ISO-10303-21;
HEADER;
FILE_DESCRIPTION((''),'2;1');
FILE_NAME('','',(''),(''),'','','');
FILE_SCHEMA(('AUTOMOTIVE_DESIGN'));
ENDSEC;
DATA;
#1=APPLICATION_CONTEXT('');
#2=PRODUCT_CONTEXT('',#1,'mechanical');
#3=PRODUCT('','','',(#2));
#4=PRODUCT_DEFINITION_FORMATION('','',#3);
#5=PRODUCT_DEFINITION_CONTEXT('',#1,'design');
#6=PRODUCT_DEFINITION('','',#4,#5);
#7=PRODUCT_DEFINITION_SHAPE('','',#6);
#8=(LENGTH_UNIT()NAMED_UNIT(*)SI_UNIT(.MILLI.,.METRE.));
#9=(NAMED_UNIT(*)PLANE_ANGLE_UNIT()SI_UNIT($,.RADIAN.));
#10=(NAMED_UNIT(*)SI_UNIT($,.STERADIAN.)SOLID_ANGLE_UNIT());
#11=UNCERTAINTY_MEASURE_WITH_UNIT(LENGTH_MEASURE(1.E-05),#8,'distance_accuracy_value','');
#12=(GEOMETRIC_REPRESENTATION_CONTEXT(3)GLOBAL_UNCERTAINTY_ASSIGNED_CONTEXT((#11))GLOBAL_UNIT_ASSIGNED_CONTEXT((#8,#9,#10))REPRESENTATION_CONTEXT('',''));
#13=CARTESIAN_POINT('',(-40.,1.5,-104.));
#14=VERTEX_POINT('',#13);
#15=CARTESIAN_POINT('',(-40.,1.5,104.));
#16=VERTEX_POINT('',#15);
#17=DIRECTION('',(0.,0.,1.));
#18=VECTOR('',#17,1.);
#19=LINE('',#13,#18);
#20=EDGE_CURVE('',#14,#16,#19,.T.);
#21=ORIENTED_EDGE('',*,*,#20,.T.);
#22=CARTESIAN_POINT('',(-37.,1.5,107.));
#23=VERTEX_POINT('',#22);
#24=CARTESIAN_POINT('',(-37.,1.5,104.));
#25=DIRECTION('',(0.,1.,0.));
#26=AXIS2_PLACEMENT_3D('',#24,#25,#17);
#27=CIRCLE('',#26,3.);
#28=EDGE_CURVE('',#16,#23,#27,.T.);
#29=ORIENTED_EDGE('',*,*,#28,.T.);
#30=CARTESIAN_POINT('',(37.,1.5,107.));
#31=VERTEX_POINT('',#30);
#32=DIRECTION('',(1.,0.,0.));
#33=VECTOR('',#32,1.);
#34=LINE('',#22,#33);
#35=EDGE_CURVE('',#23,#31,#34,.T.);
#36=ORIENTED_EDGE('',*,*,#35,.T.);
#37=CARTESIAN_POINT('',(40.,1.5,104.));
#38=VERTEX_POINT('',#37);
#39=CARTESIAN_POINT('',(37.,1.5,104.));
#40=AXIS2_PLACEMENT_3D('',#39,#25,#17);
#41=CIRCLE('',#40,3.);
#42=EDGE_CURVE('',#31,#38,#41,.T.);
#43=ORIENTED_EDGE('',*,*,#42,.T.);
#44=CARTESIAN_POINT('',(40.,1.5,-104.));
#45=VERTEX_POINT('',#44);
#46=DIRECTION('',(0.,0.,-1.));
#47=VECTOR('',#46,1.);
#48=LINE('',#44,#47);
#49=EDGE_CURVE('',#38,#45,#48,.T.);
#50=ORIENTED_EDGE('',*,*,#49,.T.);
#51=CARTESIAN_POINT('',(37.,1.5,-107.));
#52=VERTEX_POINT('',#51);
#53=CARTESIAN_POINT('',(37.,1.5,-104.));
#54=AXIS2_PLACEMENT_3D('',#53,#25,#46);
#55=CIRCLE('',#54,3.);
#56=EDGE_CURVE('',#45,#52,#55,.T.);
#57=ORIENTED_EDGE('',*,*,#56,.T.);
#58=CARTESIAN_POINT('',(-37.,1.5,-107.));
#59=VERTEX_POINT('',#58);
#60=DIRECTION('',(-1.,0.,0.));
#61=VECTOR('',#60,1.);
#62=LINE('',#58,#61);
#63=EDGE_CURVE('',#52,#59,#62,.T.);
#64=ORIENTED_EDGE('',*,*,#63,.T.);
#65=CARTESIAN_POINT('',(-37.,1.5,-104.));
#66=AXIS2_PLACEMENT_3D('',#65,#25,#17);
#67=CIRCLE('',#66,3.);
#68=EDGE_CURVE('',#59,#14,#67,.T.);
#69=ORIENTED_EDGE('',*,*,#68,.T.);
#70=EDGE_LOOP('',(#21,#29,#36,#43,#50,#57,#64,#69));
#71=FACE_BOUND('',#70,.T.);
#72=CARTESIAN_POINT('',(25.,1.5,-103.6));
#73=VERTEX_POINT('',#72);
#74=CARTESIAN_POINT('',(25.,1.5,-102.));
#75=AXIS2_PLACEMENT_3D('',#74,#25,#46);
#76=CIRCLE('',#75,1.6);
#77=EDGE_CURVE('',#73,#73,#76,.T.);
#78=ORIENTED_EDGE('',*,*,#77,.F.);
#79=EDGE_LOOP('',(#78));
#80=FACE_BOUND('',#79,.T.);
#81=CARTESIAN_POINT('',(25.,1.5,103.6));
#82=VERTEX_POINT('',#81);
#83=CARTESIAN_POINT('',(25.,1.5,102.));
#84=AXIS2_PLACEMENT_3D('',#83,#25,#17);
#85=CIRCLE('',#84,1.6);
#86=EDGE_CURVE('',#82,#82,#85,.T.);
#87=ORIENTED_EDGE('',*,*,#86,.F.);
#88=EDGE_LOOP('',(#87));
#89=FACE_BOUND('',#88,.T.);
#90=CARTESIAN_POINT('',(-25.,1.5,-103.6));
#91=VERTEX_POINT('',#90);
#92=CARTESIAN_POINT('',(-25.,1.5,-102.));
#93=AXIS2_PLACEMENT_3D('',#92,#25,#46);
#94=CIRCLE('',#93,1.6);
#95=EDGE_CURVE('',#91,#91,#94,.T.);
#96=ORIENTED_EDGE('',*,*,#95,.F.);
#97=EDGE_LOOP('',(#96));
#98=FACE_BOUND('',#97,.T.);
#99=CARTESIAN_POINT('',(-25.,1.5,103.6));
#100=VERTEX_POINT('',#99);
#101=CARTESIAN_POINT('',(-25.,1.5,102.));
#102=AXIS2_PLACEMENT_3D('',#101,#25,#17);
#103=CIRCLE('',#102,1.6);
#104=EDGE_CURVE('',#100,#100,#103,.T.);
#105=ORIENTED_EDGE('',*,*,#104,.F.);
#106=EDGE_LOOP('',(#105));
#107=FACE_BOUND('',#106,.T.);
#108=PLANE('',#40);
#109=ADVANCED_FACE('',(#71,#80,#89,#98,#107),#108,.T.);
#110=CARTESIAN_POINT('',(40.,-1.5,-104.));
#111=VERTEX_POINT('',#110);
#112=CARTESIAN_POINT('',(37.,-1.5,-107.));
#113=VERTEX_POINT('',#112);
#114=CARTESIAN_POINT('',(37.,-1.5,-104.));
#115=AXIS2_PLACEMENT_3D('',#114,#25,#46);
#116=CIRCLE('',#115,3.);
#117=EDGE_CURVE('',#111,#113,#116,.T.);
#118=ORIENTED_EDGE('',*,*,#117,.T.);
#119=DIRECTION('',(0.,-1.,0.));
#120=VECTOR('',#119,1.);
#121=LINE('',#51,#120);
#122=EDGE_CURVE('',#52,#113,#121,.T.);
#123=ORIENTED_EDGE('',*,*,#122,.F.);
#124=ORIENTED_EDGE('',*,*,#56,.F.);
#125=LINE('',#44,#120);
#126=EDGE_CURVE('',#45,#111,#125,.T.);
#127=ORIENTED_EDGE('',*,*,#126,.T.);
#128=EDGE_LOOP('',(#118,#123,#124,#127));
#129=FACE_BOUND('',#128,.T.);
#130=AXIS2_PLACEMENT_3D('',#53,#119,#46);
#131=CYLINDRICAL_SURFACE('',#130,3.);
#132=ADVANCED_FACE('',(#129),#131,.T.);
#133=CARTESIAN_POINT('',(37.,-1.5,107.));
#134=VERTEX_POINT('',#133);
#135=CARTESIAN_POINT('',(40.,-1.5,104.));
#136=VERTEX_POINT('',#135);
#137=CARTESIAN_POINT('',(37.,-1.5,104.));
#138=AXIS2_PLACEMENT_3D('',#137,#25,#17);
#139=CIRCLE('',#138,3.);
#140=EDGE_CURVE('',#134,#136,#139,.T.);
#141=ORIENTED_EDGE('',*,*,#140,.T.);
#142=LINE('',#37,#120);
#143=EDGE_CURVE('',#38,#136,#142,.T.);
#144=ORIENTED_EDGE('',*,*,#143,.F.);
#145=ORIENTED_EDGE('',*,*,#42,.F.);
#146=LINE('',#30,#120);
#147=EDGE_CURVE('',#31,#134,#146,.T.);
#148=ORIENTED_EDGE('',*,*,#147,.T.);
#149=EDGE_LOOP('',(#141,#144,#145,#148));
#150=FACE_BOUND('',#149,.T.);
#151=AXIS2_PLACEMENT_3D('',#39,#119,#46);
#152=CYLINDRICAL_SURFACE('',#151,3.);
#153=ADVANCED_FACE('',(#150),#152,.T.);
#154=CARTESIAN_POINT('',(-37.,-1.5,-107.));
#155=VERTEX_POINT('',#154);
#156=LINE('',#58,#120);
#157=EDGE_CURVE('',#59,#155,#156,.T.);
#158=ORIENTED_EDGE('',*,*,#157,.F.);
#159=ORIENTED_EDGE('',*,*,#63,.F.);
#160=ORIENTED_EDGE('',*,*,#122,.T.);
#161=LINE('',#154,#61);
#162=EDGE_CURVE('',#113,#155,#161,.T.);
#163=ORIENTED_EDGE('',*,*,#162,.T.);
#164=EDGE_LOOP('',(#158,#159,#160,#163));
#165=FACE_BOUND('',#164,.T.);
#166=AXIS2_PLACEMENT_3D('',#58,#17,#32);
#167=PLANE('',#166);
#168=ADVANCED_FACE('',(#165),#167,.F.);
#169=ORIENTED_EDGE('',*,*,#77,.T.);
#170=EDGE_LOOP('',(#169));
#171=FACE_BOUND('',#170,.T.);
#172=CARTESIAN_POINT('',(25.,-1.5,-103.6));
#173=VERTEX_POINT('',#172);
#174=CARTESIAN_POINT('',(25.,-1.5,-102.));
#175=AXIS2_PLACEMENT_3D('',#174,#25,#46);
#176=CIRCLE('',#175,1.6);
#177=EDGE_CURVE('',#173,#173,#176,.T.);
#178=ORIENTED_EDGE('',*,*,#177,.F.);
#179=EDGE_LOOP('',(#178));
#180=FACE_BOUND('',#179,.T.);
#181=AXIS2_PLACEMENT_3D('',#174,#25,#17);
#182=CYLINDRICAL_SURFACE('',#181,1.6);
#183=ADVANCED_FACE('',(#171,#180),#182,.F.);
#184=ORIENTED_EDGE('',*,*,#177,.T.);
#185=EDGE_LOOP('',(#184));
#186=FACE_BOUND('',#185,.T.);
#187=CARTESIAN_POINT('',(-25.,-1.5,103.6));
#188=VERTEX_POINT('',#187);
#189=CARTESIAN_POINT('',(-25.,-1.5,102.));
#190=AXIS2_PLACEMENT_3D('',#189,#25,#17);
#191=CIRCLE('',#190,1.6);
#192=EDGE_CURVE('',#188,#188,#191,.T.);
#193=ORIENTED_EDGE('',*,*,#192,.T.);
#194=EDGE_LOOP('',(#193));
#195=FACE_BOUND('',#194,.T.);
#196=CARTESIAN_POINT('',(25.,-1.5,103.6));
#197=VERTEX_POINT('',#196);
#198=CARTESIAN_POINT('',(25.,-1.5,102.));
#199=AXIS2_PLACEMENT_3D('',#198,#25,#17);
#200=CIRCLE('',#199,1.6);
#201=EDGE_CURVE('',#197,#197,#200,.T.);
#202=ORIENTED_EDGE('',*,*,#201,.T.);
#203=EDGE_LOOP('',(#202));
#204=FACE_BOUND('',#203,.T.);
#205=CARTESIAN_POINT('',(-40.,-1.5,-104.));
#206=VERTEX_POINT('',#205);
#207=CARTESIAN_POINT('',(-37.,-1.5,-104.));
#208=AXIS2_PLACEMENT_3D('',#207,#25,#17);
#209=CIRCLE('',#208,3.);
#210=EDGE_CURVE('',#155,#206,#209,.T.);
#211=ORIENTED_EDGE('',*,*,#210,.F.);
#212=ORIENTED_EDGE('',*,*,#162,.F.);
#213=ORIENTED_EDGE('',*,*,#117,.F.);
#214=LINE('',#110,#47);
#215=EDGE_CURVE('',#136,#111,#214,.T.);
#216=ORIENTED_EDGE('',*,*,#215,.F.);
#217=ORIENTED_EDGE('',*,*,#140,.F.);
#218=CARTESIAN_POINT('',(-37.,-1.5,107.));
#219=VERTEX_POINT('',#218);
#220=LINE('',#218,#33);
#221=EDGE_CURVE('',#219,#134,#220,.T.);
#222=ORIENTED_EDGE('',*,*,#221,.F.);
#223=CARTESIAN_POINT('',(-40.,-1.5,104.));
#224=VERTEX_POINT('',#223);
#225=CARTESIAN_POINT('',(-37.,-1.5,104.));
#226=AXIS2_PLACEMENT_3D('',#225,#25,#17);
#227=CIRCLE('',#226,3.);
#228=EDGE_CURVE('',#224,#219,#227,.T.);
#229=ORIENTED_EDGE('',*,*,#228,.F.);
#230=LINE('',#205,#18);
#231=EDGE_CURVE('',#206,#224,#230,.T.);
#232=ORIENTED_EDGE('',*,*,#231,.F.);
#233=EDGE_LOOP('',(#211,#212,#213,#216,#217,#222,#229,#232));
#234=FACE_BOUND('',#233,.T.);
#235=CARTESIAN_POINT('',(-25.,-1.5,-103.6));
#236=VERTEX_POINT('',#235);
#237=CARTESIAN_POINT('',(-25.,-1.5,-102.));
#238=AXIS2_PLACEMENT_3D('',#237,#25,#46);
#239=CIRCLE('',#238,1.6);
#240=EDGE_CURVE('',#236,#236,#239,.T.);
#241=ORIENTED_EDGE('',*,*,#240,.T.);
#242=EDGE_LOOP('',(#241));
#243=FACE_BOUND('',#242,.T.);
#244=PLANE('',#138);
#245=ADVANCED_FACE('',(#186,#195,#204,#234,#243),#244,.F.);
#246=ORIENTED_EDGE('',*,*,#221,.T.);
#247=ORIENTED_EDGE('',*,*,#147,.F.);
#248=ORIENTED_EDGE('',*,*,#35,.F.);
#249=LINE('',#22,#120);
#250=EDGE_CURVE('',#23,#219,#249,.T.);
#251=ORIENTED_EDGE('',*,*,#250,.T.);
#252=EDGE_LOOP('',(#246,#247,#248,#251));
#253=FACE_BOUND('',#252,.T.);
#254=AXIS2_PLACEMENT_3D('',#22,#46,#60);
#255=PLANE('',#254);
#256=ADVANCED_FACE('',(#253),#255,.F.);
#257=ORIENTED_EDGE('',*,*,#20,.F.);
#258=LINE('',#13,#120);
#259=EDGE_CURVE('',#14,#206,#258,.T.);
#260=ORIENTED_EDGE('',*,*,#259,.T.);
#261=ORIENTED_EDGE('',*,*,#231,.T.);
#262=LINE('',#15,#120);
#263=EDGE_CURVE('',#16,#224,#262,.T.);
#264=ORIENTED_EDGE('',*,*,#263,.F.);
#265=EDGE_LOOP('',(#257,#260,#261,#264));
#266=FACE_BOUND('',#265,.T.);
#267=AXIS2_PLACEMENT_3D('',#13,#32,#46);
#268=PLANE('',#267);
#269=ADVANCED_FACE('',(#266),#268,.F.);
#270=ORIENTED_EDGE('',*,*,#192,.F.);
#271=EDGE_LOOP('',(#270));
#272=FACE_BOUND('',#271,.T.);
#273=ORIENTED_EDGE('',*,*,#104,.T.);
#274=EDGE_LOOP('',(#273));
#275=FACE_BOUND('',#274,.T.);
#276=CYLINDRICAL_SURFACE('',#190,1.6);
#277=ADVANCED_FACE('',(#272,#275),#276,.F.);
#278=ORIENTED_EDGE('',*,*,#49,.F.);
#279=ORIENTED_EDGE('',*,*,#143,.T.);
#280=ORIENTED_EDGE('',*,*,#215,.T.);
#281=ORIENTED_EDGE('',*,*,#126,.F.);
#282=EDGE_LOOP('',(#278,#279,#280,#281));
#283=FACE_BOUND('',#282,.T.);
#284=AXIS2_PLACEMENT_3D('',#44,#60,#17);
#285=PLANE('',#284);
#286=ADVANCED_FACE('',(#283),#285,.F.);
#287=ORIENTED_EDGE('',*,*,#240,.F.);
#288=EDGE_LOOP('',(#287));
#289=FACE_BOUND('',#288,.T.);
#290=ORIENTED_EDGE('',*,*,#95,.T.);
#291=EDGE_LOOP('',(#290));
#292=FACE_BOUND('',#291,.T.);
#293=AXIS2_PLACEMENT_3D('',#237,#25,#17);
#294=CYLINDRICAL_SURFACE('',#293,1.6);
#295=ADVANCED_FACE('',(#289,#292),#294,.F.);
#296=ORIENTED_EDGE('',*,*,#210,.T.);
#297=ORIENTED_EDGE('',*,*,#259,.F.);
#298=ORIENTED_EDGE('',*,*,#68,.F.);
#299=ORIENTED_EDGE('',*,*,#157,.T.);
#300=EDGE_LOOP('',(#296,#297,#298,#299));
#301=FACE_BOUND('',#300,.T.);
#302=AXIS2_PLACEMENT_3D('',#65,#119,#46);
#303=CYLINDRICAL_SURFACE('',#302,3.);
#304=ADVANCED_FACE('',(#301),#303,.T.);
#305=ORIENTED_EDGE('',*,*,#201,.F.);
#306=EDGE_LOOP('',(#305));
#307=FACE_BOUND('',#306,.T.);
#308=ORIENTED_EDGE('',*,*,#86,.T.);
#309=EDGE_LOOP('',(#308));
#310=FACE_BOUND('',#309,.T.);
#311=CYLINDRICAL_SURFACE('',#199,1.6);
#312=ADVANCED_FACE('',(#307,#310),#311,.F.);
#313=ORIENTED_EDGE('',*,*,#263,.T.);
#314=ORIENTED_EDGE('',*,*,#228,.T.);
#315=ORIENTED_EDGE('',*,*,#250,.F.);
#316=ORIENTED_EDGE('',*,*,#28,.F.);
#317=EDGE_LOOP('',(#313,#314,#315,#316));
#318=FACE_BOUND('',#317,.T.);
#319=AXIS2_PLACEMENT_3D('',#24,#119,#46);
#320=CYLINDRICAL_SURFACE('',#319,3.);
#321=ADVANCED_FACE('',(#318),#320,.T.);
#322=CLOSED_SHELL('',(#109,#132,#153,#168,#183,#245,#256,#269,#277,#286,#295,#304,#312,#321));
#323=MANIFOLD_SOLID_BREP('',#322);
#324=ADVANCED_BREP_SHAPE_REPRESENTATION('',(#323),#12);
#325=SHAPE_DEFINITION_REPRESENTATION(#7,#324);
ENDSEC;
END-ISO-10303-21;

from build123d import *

# Parameters (mm, degrees)
SPINE_BODY_DEPTH = 1.5
SKETCH2_R        = 1.6
TAB_HOLES_DEPTH  = 115.271606272


with BuildPart() as part:
    # Sketch1 → Spine_Body (new, symmetric)
    with BuildSketch(Plane(origin=(0, 0, 0), x_dir=(1, 0, 0), z_dir=(0, 1, 0))):
        with BuildLine():
            Line((-37, 107), (37, 107))
            ThreePointArc((37, 107), (39.121320344, 106.121320344), (40, 104))
            Line((40, 104), (40, -104))
            ThreePointArc((40, -104), (39.121320344, -106.121320344), (37, -107))
            Line((37, -107), (-37, -107))
            ThreePointArc((-37, -107), (-39.121320344, -106.121320344), (-40, -104))
            Line((-40, -104), (-40, 104))
            ThreePointArc((-40, 104), (-39.121320344, 106.121320344), (-37, 107))
        make_face()
    extrude(amount=SPINE_BODY_DEPTH, both=True)

    # Sketch2 → Tab_Holes (cut, through all)
    with BuildSketch(Plane(origin=(0, 1.5, 0), x_dir=(1, 0, 0), z_dir=(0, 1, 0))):
        with Locations(Location((-25, -102, 0), (0, 0, 270))):
            Circle(SKETCH2_R)
        with Locations(Location((25, -102, 0), (0, 0, 270))):
            Circle(SKETCH2_R)
        with Locations(Location((25, 102, 0), (0, 0, 90))):
            Circle(SKETCH2_R)
        with Locations(Location((-25, 102, 0), (0, 0, 90))):
            Circle(SKETCH2_R)
    extrude(amount=-TAB_HOLES_DEPTH, mode=Mode.SUBTRACT)


solid = part.part
